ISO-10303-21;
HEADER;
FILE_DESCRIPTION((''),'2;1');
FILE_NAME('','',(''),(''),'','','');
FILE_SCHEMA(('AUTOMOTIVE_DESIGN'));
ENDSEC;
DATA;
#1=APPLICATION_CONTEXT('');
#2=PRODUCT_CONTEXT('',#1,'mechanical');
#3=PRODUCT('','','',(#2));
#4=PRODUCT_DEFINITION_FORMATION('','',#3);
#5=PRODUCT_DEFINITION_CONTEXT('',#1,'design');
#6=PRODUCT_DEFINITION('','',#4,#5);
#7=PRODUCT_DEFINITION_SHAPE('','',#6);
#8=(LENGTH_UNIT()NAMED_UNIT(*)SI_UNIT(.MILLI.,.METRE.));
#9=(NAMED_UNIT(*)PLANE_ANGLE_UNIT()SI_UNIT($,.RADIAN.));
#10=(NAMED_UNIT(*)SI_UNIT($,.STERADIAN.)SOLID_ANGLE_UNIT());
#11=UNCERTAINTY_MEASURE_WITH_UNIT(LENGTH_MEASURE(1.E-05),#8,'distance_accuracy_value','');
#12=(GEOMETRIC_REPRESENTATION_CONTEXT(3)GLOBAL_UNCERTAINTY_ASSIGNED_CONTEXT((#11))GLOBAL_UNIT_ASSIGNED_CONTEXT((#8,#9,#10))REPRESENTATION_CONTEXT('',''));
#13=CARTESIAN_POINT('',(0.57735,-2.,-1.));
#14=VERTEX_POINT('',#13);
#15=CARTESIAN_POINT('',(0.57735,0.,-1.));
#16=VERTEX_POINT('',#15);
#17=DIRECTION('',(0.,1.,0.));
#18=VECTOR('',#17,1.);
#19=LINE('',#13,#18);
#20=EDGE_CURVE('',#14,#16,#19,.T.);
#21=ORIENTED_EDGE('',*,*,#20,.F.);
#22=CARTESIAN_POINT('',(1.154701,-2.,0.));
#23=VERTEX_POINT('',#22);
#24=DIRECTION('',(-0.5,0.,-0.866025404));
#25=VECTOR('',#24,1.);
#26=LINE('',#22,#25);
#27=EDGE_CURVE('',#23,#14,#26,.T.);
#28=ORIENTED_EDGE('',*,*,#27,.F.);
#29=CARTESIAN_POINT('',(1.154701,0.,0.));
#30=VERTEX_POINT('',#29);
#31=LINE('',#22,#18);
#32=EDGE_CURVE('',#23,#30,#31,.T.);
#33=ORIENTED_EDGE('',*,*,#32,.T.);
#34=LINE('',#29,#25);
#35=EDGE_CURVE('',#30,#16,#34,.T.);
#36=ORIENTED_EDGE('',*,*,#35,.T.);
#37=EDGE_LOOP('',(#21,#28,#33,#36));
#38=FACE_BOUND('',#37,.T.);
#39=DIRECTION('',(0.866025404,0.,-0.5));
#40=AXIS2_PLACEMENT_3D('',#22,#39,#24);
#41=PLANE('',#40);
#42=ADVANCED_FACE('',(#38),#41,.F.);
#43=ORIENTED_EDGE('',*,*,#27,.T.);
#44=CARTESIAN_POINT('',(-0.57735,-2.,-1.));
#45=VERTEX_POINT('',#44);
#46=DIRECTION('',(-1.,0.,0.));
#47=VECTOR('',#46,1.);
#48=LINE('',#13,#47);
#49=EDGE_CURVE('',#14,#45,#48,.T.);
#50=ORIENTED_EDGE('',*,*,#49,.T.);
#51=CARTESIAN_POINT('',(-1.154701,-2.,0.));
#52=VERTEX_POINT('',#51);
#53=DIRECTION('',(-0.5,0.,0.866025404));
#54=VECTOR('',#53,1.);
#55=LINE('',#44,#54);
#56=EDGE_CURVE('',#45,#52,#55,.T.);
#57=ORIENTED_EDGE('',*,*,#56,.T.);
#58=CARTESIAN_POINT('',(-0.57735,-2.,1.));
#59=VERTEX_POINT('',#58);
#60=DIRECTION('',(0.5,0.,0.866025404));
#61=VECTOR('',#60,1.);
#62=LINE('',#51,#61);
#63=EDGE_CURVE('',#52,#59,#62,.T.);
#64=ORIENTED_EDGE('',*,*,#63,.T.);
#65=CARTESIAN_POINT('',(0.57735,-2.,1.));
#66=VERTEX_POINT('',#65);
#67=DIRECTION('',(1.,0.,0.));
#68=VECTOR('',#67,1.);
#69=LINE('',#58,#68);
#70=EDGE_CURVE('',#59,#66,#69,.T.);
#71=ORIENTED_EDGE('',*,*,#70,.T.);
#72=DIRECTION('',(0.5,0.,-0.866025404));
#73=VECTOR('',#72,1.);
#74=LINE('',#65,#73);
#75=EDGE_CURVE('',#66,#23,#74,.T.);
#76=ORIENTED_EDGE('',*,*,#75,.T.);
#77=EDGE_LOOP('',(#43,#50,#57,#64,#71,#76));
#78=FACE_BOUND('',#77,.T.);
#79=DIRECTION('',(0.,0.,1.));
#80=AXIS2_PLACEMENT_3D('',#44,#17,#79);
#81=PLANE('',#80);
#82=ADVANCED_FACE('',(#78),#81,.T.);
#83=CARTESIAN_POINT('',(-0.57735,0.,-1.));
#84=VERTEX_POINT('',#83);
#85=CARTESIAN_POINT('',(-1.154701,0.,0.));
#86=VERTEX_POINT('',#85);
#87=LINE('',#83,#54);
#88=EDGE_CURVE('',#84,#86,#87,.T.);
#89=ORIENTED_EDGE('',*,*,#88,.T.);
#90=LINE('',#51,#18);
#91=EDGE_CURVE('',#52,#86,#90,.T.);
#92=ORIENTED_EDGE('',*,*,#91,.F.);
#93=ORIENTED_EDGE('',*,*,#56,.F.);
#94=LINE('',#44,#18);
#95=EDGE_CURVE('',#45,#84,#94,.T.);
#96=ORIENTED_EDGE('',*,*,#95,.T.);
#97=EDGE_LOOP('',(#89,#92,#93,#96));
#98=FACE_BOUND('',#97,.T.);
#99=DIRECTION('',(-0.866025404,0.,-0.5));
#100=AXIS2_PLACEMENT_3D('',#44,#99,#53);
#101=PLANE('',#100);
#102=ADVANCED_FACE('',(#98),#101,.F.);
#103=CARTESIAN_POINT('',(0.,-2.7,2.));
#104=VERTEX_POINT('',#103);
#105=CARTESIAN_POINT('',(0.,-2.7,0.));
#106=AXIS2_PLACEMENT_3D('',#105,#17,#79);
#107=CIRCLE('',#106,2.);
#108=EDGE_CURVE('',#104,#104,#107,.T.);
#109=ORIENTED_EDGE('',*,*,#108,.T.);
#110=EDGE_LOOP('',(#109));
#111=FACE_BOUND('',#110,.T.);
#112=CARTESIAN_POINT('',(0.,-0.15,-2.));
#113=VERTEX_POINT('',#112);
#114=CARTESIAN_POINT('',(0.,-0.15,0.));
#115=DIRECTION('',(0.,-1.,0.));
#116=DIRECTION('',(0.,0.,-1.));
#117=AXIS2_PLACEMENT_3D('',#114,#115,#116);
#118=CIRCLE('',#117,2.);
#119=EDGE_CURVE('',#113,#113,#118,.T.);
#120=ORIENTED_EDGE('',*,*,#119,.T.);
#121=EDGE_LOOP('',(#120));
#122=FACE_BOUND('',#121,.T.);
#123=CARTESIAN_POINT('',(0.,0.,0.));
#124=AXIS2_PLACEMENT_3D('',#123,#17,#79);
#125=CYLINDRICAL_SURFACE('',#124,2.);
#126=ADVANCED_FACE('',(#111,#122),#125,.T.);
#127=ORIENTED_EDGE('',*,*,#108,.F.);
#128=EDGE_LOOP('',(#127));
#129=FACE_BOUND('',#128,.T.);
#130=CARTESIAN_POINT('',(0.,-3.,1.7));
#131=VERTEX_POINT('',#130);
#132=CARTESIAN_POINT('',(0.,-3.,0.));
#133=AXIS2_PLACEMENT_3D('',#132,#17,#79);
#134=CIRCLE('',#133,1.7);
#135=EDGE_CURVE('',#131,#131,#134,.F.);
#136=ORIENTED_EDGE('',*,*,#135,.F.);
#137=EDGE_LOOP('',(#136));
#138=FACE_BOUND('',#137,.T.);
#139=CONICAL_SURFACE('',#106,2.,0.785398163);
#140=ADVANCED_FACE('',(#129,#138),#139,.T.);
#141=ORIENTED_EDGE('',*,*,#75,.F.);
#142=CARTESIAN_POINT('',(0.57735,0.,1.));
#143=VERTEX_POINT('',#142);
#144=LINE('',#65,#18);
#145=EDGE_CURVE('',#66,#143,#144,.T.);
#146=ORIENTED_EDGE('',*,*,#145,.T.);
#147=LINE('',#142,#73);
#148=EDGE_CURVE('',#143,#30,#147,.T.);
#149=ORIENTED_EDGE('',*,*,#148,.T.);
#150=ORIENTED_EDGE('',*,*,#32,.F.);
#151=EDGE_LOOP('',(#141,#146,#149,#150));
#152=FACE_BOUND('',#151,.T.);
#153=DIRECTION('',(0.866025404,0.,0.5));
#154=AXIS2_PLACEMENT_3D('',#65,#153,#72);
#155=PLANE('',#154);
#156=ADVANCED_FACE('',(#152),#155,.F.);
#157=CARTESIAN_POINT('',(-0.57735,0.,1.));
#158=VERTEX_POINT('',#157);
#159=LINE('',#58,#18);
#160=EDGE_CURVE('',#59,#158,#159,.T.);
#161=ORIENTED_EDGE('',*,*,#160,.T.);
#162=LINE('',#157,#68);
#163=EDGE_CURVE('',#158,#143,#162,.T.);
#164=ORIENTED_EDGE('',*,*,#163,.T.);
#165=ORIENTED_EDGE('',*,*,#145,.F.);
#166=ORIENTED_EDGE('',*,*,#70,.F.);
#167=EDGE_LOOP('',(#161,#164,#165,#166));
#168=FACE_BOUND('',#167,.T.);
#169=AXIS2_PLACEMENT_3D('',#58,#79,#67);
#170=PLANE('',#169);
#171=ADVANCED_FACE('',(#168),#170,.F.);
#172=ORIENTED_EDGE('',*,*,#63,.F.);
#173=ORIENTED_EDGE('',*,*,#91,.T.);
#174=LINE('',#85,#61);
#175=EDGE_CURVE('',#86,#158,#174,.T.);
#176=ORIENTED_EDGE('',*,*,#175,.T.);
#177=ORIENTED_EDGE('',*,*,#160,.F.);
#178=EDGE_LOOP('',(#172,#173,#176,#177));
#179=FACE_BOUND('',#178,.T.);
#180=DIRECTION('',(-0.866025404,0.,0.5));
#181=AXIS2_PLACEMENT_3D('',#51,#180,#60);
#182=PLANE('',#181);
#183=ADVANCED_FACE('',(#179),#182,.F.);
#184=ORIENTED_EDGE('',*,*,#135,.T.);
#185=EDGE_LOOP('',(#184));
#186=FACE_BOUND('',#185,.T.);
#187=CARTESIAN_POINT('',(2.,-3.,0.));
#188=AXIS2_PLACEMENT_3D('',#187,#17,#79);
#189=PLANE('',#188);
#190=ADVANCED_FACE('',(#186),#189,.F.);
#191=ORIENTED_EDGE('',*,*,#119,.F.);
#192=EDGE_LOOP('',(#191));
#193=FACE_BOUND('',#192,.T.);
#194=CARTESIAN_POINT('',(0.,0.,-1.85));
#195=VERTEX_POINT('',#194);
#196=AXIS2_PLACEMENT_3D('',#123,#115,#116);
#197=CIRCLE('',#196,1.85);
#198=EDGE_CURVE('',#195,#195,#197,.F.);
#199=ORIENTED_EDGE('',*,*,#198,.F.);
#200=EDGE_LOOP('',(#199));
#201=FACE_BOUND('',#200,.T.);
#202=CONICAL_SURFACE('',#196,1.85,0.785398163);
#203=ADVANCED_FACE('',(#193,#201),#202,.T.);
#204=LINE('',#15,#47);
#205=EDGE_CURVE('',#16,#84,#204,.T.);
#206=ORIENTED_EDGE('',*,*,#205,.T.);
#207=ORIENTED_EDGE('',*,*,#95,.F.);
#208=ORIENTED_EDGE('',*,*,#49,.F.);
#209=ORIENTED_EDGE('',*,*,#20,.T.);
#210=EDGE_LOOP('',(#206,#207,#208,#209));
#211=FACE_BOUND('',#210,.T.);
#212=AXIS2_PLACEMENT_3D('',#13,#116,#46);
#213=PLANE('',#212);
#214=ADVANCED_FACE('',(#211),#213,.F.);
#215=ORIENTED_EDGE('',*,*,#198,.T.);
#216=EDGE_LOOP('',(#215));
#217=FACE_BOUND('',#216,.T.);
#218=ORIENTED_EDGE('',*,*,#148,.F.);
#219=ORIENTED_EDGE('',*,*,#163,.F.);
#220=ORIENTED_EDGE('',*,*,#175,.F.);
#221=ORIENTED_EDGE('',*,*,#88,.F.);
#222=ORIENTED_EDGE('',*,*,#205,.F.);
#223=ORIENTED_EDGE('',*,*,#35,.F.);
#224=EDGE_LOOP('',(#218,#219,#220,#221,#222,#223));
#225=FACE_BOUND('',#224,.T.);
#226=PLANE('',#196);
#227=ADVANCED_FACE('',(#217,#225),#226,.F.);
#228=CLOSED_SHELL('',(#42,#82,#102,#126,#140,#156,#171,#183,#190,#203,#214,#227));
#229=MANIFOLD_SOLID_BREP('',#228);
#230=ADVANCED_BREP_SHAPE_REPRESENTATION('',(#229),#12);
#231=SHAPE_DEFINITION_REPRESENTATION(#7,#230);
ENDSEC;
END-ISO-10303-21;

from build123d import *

# Parameters (mm, degrees)
CROQUIS1_W            = 2
CROQUIS1_H            = 3
CORTAR_EXTRUIR2_DEPTH = 2
CHAFL_N3_SIZE         = 0.3
CHAFL_N4_SIZE         = 0.15


with BuildPart() as part:
    # Croquis1 → Revolución1 (revolve)
    with BuildSketch(Plane.XY):
        with Locations((1, -1.5)):
            Rectangle(CROQUIS1_W, CROQUIS1_H)
    revolve(axis=Axis((0, 0, 0), (0, -1, 0)))

    # Croquis3 → Cortar-Extruir2 (cut)
    with BuildSketch(Plane(origin=(0, 0, 0), x_dir=(1, 0, 0), z_dir=(0, 1, 0))):
        Polygon((-0.577350269, 1), (-1.154700538, 0), (-0.577350269, -1), (0.577350269, -1), (1.154700538, 0), (0.577350269, 1), align=None)
    extrude(amount=-CORTAR_EXTRUIR2_DEPTH, mode=Mode.SUBTRACT)

    # Chaflán3
    chafl_n3_edges = [part.edges().sort_by_distance(p)[0] for p in [
        (-2, -3, 0),
    ]]
    chamfer(chafl_n3_edges, length=CHAFL_N3_SIZE)

    # Chaflán4
    chafl_n4_edges = [part.edges().sort_by_distance(p)[0] for p in [
        (-2, 0, 0),
    ]]
    chamfer(chafl_n4_edges, length=CHAFL_N4_SIZE)


solid = part.part
